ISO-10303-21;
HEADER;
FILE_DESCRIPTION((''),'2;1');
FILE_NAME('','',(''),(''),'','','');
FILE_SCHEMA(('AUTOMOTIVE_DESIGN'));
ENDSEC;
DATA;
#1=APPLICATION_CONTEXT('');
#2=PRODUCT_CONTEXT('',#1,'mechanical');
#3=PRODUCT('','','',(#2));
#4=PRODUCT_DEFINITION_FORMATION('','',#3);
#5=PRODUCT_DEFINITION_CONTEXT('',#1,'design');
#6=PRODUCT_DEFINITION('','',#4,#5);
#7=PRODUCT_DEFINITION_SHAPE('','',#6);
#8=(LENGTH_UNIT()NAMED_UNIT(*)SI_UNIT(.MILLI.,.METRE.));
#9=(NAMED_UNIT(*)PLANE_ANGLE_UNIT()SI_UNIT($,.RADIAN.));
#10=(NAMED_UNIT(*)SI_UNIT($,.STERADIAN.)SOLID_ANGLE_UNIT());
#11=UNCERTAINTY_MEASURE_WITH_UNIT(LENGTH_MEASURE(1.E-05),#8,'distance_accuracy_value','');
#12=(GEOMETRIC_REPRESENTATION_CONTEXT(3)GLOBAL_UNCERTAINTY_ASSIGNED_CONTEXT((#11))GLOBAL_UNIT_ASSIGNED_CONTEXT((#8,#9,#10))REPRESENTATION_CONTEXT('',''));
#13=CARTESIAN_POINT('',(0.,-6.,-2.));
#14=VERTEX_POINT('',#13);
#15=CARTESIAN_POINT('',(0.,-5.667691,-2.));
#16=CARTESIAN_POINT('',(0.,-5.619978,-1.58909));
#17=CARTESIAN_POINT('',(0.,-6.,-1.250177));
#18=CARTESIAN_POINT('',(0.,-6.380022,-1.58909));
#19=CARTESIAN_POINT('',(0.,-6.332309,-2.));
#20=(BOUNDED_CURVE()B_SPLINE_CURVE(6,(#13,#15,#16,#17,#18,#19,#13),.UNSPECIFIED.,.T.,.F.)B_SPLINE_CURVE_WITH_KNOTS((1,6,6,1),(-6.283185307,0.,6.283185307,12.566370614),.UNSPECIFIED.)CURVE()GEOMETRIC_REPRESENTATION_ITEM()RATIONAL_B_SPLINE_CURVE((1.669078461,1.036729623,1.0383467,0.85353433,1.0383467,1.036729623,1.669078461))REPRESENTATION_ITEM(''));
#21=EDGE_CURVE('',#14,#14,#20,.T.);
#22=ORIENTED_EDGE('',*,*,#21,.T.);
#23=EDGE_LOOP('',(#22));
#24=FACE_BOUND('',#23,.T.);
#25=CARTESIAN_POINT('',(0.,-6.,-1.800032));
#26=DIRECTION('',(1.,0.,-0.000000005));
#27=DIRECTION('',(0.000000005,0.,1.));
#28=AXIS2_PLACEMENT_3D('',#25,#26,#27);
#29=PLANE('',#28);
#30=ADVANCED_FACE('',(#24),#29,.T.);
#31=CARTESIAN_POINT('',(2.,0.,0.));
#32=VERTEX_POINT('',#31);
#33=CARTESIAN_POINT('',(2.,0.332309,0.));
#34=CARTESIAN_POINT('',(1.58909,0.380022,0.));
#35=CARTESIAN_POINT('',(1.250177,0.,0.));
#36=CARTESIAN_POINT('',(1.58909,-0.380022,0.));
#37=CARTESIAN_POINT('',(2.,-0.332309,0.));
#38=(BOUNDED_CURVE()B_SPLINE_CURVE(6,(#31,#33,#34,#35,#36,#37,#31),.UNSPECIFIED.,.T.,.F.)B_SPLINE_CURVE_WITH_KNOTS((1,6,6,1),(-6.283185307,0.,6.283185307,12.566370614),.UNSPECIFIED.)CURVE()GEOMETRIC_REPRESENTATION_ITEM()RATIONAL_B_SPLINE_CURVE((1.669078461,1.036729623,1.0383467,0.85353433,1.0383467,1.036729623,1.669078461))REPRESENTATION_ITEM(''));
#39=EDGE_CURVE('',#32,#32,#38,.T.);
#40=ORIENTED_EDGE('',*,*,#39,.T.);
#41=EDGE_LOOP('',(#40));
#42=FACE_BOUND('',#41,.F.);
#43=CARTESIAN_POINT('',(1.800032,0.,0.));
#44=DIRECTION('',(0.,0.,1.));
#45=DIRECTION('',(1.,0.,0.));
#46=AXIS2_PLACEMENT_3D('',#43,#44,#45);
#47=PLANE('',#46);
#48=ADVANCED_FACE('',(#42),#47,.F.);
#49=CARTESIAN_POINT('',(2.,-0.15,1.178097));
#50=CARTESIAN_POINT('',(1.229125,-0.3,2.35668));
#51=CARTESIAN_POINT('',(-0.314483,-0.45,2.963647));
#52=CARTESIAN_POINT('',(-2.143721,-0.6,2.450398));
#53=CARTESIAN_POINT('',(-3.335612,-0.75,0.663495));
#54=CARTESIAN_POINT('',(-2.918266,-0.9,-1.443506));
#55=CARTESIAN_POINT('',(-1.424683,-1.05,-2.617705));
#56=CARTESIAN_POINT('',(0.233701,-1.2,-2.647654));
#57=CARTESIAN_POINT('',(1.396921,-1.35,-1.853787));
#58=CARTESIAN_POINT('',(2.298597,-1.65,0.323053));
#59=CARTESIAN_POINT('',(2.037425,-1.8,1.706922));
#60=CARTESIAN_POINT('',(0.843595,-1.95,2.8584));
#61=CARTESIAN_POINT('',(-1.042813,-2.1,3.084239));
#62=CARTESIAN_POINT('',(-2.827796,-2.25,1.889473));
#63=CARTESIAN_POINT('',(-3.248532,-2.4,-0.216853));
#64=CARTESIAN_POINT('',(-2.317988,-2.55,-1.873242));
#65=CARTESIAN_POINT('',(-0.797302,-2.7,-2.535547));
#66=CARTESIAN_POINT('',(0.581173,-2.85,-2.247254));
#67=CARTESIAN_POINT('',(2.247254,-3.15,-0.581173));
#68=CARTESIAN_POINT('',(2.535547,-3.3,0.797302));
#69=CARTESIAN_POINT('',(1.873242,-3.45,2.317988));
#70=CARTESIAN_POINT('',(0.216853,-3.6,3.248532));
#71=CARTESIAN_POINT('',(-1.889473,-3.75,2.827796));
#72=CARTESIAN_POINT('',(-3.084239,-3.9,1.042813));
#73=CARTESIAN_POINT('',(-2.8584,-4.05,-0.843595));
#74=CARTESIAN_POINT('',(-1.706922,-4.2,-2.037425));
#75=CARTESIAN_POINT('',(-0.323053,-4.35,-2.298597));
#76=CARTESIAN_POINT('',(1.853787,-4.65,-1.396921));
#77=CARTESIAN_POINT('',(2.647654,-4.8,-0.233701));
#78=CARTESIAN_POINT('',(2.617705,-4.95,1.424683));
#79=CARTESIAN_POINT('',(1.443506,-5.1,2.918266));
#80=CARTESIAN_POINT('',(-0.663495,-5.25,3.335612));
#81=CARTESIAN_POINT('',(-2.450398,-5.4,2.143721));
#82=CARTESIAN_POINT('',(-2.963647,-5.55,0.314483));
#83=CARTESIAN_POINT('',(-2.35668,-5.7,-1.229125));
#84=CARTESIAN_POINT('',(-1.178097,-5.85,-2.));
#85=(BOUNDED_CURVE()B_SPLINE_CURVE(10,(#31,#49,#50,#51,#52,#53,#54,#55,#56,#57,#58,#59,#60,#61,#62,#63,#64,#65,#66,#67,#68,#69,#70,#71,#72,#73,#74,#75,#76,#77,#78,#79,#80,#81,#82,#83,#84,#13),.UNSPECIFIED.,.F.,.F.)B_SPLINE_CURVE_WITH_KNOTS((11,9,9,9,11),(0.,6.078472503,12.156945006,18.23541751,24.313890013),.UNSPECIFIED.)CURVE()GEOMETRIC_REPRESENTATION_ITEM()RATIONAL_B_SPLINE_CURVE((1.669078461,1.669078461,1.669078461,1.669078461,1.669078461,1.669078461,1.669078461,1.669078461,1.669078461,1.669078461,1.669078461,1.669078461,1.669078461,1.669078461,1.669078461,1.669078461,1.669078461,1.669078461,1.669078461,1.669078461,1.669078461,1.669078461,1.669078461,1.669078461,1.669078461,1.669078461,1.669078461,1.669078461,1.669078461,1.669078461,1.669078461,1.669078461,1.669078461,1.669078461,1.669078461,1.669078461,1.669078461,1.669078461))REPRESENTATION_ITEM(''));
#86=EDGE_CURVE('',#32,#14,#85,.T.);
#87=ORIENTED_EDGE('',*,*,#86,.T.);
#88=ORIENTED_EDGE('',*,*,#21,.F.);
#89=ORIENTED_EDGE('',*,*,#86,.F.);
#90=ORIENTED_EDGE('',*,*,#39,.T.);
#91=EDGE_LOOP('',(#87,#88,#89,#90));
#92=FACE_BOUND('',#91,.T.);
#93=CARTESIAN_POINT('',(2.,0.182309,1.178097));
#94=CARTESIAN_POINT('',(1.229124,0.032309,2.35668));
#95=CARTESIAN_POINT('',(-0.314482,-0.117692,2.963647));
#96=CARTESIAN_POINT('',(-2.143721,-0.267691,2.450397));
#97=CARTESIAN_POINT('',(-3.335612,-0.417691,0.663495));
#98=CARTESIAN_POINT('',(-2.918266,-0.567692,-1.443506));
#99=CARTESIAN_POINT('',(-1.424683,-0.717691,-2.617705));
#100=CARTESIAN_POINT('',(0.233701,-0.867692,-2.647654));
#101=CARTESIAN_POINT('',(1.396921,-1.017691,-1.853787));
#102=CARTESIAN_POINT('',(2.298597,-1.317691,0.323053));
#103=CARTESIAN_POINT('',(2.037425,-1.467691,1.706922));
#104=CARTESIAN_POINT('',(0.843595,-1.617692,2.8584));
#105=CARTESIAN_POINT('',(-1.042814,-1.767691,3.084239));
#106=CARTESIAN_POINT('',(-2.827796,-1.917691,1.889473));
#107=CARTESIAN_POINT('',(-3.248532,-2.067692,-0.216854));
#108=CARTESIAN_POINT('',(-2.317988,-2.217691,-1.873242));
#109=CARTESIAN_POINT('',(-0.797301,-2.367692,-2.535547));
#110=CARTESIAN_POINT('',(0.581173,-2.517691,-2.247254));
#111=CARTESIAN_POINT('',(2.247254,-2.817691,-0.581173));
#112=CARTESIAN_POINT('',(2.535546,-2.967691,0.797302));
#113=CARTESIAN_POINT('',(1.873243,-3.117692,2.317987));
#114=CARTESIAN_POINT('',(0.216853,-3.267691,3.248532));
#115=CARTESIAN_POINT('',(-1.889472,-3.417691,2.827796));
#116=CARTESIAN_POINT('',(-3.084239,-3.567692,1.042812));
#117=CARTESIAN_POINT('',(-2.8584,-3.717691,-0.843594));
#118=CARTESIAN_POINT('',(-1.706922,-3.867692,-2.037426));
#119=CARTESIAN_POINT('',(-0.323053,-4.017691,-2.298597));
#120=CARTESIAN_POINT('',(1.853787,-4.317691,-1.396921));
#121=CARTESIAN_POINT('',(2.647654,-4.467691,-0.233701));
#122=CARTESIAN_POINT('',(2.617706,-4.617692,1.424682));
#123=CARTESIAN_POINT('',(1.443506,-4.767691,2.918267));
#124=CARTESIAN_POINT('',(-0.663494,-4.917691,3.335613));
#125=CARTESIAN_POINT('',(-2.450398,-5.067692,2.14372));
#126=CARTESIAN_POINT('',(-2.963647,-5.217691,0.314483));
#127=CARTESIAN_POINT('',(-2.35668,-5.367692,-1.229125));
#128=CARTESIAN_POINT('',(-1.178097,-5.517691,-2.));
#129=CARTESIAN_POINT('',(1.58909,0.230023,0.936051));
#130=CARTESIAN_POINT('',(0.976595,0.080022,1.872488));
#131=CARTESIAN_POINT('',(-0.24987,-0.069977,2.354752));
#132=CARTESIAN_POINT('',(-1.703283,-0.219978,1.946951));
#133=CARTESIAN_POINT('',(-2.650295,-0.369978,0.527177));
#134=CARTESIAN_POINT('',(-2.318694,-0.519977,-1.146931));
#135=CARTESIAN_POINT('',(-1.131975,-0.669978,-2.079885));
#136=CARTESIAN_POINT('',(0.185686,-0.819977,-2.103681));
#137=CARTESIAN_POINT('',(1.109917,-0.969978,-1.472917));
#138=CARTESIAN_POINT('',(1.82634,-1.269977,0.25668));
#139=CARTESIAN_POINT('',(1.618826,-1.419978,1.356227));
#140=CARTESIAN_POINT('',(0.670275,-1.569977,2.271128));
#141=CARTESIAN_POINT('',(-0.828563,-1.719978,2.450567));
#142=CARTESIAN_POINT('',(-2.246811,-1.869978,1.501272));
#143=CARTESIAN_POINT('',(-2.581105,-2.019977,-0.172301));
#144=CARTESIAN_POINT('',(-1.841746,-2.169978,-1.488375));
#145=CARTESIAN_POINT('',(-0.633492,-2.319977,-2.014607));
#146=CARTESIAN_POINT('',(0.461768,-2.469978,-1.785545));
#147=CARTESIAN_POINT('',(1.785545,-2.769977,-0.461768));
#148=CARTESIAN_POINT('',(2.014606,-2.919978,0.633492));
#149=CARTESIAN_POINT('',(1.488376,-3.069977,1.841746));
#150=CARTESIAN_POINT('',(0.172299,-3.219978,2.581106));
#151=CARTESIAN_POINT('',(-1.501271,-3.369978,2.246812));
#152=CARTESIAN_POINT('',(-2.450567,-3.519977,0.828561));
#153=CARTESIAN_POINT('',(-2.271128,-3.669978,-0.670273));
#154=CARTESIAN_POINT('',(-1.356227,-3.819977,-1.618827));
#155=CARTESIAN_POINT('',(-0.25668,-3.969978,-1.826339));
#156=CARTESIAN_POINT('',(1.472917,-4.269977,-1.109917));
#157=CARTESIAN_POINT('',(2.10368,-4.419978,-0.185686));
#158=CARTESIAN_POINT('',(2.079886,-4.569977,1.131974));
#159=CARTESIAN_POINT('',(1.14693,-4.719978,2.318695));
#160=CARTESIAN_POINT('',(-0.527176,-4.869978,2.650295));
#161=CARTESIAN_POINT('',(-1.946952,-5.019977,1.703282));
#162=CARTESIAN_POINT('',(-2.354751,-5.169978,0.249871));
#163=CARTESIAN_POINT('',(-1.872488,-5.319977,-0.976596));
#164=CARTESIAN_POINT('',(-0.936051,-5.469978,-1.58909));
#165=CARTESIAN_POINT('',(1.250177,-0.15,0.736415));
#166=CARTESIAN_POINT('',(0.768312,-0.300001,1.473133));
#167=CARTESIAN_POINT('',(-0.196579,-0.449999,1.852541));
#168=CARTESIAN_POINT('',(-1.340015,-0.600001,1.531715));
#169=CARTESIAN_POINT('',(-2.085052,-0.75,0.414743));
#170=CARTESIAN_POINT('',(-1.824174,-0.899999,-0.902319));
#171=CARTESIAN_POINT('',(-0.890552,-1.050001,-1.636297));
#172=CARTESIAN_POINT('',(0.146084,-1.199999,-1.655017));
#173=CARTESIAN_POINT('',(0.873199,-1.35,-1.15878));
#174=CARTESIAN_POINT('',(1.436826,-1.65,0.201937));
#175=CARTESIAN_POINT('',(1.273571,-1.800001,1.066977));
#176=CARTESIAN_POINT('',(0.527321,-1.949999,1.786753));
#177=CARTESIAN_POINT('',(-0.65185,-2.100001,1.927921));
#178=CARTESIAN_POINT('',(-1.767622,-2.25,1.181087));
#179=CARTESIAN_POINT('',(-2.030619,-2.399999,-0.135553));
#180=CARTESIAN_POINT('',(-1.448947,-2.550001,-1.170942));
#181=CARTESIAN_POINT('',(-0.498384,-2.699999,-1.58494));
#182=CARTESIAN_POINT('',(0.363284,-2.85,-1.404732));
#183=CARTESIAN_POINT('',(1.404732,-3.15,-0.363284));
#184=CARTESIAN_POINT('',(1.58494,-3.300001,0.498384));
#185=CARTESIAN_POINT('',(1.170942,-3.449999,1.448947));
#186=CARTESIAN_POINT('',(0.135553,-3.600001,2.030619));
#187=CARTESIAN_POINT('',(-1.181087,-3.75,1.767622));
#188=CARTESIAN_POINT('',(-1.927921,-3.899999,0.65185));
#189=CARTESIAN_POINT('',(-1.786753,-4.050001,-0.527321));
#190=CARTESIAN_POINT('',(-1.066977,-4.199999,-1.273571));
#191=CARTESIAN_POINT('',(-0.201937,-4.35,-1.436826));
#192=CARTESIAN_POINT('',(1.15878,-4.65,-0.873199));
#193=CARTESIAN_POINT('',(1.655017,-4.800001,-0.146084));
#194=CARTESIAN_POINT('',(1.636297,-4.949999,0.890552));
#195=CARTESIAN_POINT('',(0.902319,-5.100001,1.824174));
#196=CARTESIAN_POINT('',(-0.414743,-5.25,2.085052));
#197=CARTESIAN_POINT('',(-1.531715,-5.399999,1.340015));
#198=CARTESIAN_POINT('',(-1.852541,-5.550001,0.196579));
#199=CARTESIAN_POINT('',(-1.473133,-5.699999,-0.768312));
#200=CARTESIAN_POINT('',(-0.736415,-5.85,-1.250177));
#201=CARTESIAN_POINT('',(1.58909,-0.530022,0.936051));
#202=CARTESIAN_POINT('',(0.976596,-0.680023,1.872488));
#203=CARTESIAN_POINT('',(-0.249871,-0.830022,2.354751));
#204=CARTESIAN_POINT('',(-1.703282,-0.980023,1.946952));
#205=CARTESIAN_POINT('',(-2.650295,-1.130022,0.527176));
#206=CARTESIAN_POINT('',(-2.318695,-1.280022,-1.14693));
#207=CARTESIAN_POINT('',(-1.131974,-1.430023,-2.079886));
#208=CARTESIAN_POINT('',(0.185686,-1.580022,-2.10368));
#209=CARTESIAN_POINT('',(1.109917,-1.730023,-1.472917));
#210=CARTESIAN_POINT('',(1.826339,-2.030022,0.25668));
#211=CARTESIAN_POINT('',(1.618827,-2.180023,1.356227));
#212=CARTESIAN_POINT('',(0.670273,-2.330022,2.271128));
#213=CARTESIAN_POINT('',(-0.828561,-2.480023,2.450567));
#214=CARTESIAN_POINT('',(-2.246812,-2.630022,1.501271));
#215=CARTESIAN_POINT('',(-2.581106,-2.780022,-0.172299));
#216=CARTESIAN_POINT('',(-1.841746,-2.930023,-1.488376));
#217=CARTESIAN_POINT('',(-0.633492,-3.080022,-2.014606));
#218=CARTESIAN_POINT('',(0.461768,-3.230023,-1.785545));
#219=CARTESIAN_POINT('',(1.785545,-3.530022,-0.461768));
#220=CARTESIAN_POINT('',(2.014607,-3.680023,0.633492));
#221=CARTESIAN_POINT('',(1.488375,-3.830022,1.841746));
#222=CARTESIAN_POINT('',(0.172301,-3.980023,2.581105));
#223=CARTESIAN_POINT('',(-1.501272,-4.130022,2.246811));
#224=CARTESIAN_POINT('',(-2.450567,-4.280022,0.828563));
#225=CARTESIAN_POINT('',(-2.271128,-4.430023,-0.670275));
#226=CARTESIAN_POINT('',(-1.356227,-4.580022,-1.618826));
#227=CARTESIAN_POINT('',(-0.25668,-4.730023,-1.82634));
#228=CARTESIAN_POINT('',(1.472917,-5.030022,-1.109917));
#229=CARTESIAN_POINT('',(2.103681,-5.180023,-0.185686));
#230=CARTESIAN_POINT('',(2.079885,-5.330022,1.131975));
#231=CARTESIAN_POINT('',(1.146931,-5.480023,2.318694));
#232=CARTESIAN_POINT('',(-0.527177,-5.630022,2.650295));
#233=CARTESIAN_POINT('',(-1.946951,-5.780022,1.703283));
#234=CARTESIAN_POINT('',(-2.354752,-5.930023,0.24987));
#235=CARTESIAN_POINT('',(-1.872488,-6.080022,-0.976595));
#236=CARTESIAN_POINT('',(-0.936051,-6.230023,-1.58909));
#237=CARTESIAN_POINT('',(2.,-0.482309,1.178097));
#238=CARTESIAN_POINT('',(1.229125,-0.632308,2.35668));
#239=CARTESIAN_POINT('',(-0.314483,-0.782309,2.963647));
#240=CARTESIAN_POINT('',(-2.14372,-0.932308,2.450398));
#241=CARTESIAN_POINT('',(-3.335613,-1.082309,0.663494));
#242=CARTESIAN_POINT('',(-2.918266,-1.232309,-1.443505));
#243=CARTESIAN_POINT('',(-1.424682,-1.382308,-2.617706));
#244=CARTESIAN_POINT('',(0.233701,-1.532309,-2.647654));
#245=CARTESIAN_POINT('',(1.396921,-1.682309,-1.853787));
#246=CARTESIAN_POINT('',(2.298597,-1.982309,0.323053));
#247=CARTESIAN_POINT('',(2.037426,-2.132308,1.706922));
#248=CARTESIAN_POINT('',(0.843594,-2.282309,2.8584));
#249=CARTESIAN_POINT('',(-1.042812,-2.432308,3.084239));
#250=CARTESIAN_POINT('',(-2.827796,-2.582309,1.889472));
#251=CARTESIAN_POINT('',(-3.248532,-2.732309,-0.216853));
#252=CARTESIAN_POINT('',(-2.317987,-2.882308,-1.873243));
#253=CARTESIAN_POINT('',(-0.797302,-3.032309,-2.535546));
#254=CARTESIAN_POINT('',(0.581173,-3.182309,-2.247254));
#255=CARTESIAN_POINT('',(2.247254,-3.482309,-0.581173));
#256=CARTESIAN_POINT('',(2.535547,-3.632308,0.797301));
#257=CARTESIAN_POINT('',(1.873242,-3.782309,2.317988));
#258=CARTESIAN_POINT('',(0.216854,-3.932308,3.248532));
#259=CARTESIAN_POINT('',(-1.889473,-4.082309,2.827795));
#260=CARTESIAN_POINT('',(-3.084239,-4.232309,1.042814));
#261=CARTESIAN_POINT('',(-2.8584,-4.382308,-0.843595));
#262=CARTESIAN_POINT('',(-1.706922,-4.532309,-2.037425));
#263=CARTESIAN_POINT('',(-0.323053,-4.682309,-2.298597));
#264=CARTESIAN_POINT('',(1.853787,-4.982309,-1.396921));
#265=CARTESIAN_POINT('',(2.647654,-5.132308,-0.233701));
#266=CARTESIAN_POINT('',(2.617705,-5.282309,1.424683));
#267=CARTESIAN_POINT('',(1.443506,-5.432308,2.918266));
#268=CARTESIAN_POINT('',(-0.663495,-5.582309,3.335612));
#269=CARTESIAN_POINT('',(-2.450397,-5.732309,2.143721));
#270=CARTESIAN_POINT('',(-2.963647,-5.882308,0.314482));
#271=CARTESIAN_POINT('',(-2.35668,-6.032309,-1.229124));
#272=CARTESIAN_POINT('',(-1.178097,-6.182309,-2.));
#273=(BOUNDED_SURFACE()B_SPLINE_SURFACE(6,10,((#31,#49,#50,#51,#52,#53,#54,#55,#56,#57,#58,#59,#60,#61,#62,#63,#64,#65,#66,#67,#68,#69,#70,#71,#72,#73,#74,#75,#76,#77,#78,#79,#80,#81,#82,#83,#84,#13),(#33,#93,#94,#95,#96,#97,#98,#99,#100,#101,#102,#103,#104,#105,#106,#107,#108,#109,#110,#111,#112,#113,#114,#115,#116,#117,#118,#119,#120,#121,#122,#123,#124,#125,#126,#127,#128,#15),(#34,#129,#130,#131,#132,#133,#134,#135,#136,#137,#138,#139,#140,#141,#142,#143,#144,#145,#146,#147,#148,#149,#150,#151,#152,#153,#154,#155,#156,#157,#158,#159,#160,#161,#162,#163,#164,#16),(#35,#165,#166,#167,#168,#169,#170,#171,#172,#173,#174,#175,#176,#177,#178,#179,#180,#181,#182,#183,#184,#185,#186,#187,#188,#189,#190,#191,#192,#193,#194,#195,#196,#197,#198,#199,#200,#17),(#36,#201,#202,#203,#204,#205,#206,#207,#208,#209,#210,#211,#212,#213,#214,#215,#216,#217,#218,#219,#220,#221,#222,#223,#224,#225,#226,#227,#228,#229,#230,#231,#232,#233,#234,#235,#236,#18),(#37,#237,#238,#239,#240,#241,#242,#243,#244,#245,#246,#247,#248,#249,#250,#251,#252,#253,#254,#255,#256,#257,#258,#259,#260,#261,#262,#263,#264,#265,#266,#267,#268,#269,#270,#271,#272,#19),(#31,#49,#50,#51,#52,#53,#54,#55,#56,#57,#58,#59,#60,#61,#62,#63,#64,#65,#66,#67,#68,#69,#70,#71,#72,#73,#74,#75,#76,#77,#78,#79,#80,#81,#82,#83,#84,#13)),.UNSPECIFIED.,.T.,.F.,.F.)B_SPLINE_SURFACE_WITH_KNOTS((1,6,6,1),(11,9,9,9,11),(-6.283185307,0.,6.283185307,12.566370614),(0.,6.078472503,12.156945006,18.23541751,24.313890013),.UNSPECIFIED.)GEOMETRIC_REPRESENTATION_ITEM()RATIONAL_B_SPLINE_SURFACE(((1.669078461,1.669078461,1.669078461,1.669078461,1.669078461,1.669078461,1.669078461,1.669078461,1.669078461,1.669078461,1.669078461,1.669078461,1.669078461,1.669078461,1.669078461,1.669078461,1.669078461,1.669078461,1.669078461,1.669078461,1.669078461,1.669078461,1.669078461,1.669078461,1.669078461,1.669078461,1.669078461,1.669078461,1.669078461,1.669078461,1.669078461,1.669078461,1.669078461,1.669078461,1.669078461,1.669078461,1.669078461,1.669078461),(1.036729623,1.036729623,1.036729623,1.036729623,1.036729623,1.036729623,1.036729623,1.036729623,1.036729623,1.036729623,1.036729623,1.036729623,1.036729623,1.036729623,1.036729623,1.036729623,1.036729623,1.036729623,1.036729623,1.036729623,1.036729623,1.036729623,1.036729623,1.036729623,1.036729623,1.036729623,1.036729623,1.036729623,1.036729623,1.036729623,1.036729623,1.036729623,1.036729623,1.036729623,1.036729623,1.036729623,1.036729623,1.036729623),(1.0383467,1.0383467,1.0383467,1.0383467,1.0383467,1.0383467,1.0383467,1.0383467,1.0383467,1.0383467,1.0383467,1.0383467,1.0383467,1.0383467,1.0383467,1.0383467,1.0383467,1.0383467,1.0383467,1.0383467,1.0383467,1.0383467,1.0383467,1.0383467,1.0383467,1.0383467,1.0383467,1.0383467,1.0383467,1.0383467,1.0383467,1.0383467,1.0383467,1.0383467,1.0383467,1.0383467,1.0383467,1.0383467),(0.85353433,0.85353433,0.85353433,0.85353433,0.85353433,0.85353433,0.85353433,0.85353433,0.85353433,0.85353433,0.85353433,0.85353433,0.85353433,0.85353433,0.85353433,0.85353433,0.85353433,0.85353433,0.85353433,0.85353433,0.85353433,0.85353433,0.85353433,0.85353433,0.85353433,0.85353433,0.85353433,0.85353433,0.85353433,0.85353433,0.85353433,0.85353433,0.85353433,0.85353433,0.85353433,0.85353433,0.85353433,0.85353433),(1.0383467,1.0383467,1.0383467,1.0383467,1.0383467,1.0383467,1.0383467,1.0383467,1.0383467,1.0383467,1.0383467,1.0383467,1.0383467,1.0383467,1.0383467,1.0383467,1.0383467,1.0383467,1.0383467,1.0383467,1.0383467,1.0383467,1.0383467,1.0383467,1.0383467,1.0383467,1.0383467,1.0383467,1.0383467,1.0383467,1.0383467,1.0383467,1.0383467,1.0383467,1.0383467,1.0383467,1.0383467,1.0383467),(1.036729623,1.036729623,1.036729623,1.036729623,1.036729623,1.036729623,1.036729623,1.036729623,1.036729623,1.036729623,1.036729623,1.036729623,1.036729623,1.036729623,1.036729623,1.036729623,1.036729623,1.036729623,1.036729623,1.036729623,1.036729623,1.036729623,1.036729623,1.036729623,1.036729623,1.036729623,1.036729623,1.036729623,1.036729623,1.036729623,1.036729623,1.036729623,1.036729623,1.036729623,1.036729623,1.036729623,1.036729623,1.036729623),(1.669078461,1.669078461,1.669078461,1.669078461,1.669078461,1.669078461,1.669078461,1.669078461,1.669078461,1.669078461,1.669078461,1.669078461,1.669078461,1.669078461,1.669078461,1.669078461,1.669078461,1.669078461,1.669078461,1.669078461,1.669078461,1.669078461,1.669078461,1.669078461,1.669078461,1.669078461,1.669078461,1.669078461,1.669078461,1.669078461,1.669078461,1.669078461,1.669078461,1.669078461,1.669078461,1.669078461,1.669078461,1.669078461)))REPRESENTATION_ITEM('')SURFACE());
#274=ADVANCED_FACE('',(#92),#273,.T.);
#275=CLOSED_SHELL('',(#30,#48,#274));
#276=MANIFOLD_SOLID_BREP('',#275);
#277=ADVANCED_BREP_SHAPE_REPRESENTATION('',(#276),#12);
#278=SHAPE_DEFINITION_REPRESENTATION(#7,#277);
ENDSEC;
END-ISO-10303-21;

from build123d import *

# Parameters (mm, degrees)
SPRING_PITCH          = 1.6
SPRING_HEIGHT         = 6
SPRING_RADIUS         = 1.8
SPRING_START_ANGLE    = 90
SPRINGBODYDIAMETERS_R = 0.2


with BuildPart() as part:
    # SPRING: sweep along a helix
    with BuildLine() as spring_path:
        add(Helix(SPRING_PITCH, SPRING_HEIGHT, SPRING_RADIUS, center=(0, 0, 0), direction=(0, -1, 0), mode=Mode.PRIVATE).rotate(Axis((0, 0, 0), (0, -1, 0)), SPRING_START_ANGLE))
    # SpringBodyDiameterS → SPRING (sweep)
    with BuildSketch(Plane.XY):
        with Locations((1.8, 0)):
            Circle(SPRINGBODYDIAMETERS_R)
    sweep(path=spring_path.line, is_frenet=True)


solid = part.part
